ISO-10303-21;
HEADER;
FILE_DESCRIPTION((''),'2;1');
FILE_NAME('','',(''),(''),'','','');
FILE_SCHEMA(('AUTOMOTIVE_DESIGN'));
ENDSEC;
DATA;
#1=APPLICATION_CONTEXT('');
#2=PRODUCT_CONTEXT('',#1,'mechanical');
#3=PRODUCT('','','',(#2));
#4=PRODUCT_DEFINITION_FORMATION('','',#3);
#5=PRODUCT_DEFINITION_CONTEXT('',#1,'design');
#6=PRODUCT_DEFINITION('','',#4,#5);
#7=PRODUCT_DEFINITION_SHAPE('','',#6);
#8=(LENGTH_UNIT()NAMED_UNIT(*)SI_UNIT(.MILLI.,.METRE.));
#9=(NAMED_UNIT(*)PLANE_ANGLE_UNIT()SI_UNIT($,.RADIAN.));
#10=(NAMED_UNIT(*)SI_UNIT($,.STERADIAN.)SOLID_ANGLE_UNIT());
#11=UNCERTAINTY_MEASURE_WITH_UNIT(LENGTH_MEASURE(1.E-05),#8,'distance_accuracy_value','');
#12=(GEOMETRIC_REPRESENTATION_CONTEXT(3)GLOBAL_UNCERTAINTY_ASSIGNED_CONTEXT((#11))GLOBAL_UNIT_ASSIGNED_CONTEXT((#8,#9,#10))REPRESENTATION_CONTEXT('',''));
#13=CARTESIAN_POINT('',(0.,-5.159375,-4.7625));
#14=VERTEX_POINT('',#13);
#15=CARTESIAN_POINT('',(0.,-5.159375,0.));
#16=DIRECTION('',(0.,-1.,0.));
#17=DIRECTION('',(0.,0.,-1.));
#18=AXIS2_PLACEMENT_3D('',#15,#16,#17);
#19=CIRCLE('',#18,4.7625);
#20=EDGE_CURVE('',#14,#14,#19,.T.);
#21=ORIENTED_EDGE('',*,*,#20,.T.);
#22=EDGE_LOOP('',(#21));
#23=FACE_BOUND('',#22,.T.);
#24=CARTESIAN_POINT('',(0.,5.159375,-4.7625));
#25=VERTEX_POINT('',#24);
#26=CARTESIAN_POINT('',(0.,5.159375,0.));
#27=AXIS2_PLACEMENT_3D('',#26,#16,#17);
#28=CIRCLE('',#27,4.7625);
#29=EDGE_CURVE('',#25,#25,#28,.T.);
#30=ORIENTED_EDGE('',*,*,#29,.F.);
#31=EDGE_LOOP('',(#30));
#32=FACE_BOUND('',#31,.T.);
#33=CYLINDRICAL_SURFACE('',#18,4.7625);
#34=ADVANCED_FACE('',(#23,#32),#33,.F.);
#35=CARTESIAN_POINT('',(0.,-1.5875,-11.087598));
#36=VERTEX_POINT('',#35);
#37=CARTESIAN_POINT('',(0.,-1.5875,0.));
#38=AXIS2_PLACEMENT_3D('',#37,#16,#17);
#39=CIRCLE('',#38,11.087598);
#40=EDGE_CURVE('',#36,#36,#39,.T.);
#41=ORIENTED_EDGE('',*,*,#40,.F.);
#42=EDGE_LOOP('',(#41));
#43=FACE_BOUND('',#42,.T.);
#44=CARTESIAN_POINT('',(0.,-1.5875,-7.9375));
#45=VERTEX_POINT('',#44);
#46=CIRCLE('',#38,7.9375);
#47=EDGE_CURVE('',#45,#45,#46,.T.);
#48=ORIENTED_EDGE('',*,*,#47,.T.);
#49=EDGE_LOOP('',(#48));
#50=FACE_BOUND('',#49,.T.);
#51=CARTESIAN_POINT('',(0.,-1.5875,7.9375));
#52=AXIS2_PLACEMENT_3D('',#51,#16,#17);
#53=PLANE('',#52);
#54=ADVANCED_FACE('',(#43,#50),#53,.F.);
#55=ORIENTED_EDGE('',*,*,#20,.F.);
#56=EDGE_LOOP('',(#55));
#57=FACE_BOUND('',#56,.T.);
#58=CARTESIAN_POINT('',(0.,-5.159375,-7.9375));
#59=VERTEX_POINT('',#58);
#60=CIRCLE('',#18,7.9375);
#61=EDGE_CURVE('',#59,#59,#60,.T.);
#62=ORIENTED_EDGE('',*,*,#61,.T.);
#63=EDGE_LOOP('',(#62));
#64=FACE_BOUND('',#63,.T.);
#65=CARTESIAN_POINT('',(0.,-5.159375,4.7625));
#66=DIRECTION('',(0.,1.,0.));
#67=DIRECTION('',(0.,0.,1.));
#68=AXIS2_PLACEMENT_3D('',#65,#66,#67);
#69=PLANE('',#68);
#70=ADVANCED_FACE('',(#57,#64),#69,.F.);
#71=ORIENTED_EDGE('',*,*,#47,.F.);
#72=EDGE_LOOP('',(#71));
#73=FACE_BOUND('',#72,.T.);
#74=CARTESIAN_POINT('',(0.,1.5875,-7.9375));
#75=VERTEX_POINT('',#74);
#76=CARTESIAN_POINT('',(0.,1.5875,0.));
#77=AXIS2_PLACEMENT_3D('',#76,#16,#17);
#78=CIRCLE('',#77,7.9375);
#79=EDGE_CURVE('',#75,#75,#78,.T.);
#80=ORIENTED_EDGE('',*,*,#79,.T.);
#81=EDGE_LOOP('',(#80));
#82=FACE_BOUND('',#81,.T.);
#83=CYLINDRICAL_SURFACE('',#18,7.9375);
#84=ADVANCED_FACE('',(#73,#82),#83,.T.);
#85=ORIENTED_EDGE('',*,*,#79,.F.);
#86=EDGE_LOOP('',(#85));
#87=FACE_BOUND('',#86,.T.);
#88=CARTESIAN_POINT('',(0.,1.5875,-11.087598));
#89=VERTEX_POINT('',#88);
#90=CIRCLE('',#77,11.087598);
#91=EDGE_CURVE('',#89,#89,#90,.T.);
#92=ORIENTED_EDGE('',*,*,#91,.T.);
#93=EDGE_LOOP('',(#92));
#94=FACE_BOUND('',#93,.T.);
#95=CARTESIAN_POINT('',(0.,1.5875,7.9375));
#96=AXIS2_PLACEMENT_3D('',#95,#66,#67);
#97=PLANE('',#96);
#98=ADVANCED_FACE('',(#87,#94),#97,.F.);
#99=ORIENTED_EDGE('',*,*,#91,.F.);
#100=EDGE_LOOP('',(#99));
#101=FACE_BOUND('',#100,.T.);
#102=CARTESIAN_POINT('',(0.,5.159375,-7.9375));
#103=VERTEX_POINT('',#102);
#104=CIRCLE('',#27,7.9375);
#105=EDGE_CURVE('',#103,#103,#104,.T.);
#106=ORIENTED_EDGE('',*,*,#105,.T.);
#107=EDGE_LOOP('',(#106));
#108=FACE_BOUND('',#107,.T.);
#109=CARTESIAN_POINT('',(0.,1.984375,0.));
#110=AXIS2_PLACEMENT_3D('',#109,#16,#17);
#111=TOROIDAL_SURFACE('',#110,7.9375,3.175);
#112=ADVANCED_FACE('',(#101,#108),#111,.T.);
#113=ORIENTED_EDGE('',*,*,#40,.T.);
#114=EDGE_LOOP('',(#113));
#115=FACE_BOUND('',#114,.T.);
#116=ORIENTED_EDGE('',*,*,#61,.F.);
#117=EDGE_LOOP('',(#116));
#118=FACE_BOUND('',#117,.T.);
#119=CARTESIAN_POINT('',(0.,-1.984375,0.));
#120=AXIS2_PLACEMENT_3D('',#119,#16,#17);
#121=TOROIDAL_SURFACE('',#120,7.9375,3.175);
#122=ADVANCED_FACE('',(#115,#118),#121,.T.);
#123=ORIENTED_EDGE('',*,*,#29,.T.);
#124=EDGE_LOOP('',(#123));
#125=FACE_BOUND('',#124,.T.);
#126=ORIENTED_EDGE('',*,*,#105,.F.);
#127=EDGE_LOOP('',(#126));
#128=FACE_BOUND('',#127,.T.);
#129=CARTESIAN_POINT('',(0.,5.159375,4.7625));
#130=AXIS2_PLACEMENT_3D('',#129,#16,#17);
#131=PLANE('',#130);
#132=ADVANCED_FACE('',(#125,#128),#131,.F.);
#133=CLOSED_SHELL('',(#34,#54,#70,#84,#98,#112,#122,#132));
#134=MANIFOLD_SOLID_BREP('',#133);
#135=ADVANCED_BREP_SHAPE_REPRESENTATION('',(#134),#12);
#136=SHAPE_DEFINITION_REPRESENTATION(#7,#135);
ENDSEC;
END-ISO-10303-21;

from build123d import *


with BuildPart() as part:
    # Sketch2 → Revolve1 (revolve)
    with BuildSketch(Plane(origin=(0, 0, 0), x_dir=(0, 0, -1), z_dir=(1, 0, 0)), mode=Mode.PRIVATE) as revolve1_sk:
        with BuildLine():
            Line((-4.7625, -5.159375), (-4.7625, 5.159375))
            Line((-4.7625, 5.159375), (-7.9375, 5.159375))
            ThreePointArc((-7.9375, 5.159375), (-10.31875, 4.084440103), (-11.087597655, 1.5875))
            Line((-11.087597655, 1.5875), (-7.9375, 1.5875))
            Line((-7.9375, 1.5875), (-7.9375, -1.5875))
            Line((-7.9375, -1.5875), (-11.087597655, -1.5875))
            ThreePointArc((-11.087597655, -1.5875), (-10.31875, -4.084440103), (-7.9375, -5.159375))
            Line((-7.9375, -5.159375), (-4.7625, -5.159375))
        make_face()
    revolve(revolve1_sk.sketch.rotate(Axis((0, -5.159375, 0), (0, 1, 0)), 180), axis=Axis((0, -5.159375, 0), (0, 1, 0)))


solid = part.part
